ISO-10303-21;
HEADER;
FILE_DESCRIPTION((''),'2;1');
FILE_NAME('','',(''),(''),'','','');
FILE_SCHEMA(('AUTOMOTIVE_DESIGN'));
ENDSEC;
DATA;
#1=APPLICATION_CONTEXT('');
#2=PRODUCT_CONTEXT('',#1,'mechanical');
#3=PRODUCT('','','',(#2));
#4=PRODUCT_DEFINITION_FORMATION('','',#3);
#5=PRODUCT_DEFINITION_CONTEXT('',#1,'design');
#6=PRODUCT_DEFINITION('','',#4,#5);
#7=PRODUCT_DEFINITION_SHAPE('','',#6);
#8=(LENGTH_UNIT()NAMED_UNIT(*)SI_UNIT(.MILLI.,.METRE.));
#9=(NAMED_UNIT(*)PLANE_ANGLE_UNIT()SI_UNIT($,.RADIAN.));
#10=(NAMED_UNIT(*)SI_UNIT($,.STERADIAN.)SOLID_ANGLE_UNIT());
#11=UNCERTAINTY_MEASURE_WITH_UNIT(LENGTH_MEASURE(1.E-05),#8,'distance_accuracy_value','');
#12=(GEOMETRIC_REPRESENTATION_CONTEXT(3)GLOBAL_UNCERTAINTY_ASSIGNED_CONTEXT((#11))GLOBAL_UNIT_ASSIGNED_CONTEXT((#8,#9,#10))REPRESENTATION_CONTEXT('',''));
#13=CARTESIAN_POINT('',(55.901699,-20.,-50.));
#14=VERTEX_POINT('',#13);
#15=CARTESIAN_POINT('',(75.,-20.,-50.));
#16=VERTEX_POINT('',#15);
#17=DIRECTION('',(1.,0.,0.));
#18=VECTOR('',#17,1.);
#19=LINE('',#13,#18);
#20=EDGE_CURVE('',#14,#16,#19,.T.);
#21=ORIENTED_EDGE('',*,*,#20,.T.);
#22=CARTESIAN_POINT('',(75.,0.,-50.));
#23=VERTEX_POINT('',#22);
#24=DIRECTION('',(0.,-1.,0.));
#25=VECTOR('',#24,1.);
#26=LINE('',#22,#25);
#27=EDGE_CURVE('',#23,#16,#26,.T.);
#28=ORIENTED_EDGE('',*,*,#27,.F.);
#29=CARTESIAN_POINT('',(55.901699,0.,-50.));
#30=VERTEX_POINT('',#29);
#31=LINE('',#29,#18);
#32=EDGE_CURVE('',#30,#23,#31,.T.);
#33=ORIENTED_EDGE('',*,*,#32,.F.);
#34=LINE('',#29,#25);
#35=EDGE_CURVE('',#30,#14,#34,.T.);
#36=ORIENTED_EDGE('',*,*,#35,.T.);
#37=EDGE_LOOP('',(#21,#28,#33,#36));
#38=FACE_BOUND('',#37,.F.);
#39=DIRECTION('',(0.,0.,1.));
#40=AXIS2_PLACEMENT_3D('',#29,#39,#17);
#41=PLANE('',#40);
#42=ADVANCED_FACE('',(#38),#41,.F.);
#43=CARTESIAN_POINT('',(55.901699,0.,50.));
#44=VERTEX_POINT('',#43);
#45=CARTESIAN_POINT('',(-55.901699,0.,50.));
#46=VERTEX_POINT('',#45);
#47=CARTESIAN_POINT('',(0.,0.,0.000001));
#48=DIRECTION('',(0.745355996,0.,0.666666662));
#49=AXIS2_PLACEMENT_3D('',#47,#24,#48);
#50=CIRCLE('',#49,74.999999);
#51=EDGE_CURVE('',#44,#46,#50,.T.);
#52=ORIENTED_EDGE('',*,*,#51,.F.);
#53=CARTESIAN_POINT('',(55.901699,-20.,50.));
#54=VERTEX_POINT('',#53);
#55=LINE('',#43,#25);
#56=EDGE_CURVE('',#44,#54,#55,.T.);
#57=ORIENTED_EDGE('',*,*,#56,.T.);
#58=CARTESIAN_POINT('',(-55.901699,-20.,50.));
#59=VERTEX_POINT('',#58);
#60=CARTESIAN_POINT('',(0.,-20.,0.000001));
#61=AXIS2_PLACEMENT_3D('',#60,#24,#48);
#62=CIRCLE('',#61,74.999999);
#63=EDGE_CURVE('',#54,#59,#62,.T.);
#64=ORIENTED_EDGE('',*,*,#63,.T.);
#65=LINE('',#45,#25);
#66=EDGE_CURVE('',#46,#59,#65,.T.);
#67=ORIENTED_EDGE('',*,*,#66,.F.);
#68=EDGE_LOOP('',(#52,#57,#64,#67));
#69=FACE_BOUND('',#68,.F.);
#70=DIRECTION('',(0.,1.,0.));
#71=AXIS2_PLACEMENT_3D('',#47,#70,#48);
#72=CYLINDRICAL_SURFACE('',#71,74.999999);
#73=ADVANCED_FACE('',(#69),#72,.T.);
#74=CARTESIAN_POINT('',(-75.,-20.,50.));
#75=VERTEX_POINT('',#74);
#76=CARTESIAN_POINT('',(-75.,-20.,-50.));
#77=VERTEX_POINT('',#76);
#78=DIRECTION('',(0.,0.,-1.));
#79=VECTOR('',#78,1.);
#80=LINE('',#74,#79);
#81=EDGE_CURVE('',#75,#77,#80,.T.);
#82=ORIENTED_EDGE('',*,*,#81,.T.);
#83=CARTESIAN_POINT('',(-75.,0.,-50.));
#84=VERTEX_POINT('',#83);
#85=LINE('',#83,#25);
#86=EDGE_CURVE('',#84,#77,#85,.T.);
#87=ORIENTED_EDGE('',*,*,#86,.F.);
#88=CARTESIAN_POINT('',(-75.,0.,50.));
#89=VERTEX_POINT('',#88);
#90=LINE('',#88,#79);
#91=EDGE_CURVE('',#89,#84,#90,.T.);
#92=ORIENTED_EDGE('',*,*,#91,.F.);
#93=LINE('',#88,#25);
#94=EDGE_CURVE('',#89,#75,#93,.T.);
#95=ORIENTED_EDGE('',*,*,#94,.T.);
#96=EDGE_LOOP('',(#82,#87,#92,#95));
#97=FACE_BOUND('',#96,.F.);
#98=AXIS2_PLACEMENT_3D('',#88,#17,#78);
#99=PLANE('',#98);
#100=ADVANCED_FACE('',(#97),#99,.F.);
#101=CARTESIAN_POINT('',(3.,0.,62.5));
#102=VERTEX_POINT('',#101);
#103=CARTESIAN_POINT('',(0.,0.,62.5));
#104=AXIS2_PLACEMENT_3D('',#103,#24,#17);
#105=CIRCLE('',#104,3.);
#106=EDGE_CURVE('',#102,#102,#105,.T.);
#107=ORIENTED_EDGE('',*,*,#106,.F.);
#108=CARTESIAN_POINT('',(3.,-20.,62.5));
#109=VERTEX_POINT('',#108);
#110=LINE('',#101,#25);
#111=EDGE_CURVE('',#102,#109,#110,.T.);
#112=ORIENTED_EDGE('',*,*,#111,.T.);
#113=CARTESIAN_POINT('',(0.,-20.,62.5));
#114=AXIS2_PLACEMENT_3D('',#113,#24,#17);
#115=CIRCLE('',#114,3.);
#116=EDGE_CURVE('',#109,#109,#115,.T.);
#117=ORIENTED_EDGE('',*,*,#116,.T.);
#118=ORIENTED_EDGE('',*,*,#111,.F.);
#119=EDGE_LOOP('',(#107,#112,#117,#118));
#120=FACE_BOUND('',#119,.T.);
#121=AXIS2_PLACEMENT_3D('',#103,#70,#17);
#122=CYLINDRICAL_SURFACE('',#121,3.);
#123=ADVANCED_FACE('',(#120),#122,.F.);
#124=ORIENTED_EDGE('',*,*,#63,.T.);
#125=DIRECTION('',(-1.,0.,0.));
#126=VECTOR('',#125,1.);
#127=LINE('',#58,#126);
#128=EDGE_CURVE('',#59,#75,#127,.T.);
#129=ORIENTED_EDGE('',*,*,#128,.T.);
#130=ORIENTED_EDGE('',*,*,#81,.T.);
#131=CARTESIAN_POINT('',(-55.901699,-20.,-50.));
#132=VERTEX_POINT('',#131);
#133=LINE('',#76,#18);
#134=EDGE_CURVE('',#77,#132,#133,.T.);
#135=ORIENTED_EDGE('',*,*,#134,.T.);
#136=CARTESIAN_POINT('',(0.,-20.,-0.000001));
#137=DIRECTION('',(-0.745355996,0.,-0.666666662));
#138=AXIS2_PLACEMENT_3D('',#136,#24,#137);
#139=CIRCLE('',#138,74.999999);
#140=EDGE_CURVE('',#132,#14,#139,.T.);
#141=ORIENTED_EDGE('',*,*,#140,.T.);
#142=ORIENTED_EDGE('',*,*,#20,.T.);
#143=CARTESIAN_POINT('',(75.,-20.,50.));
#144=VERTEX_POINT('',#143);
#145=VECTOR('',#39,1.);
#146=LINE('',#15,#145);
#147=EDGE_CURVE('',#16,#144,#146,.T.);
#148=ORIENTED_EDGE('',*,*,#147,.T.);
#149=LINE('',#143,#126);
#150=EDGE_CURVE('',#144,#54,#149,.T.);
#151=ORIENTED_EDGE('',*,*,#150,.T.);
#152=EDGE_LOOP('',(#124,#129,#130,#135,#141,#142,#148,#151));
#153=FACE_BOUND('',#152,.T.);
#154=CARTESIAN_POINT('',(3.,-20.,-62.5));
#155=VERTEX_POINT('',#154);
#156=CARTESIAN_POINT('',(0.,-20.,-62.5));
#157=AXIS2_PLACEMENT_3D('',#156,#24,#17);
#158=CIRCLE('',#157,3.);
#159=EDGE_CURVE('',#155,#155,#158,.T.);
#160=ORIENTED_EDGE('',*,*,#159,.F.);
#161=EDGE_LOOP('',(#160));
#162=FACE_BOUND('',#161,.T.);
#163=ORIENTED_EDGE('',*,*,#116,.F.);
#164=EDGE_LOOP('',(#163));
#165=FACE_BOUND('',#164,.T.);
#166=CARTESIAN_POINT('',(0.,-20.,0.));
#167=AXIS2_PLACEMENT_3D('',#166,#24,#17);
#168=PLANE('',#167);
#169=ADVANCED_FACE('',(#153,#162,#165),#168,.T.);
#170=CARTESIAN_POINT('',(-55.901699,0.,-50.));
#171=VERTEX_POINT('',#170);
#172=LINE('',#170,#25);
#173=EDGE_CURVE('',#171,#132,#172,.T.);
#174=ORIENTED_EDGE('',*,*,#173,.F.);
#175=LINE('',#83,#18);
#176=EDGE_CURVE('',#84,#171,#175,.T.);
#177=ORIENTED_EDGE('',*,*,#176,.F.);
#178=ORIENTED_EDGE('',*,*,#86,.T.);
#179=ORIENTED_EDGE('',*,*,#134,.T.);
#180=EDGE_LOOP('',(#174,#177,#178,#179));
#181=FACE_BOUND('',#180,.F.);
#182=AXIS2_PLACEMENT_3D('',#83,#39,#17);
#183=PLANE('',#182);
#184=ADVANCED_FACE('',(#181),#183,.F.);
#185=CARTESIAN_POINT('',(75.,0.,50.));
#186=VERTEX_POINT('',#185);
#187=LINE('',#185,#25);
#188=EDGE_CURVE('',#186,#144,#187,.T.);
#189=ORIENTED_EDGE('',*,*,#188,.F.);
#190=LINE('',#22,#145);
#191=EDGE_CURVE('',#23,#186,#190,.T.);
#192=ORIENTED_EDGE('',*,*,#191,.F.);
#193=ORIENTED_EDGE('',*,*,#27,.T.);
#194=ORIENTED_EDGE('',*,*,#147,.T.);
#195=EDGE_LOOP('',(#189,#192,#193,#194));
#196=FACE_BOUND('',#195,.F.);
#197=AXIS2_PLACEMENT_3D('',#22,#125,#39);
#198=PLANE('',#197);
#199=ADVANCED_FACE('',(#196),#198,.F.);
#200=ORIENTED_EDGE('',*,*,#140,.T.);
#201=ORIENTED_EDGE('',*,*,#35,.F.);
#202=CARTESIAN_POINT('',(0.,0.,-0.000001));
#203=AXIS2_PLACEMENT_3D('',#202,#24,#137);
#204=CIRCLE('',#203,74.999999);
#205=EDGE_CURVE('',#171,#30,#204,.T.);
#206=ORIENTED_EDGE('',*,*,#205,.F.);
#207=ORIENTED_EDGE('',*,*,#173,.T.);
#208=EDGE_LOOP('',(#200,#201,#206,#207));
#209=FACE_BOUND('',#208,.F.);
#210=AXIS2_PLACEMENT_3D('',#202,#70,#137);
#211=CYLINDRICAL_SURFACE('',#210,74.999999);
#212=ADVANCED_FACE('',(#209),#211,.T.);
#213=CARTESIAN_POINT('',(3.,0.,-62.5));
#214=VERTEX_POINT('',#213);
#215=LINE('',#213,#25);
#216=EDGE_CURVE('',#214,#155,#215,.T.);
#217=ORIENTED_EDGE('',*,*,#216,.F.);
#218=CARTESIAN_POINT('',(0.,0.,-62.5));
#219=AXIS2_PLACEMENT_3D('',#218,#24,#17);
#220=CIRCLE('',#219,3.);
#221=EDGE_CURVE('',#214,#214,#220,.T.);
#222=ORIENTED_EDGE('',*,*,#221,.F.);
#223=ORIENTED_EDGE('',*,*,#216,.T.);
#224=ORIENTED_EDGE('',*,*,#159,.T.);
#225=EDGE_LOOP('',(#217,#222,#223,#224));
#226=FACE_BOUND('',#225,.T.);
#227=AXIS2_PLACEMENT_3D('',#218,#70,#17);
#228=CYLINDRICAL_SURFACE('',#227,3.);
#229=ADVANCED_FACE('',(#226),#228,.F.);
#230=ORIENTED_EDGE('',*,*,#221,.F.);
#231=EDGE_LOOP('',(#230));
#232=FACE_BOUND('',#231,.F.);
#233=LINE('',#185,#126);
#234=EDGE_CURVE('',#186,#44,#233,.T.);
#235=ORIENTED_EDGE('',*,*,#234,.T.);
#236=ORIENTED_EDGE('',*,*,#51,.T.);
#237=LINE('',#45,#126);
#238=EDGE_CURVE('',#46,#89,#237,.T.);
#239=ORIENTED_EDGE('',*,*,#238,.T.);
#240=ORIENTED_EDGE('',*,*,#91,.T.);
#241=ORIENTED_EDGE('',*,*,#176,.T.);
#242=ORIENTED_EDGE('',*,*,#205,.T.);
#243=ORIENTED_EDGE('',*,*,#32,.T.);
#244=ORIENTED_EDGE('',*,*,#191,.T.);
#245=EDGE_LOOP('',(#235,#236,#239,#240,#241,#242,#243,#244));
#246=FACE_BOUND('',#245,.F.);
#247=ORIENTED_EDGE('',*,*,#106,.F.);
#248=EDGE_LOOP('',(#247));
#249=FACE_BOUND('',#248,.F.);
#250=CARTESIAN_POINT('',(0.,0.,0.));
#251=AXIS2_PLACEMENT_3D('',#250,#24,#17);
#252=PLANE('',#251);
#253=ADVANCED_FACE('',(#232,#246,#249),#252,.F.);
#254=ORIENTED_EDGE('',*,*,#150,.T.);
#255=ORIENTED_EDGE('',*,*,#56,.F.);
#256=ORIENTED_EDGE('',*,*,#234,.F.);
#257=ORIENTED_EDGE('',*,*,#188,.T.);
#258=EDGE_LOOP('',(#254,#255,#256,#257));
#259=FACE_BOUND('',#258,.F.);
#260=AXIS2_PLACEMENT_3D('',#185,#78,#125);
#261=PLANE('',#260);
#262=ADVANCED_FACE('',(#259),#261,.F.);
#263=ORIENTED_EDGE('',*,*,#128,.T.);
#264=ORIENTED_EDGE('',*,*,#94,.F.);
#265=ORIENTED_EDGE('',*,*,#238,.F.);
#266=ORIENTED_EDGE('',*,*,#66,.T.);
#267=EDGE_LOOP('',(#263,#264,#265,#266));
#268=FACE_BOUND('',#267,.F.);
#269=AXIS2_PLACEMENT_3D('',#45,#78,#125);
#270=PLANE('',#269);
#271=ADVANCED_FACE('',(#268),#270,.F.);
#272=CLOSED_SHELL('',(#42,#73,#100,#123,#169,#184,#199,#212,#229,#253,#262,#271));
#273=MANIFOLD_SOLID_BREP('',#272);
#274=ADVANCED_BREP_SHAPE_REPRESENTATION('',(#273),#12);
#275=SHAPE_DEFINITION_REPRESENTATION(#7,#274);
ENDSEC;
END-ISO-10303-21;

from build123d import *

# Parameters (mm, degrees)
F0_R     = 3
F1_DEPTH = 20


with BuildPart() as f1:
    # F0 (on Front) → F1 (new body)
    with BuildSketch(Plane.XZ):
        with BuildLine():
            Line((-55.901699, 50), (-75, 50))
            Line((-75, 50), (-75, -50))
            Line((-75, -50), (-55.901699, -50))
            ThreePointArc((-55.901699, -50), (0, -75), (55.901699, -50))
            Line((55.901699, -50), (75, -50))
            Line((75, -50), (75, 50))
            Line((75, 50), (55.901699, 50))
            ThreePointArc((55.901699, 50), (0, 75), (-55.901699, 50))
        make_face()
        with Locations((0, -62.5)):
            Circle(F0_R, mode=Mode.SUBTRACT)
        with Locations((0, 62.5)):
            Circle(F0_R, mode=Mode.SUBTRACT)
    extrude(amount=F1_DEPTH)


solid = f1.part
